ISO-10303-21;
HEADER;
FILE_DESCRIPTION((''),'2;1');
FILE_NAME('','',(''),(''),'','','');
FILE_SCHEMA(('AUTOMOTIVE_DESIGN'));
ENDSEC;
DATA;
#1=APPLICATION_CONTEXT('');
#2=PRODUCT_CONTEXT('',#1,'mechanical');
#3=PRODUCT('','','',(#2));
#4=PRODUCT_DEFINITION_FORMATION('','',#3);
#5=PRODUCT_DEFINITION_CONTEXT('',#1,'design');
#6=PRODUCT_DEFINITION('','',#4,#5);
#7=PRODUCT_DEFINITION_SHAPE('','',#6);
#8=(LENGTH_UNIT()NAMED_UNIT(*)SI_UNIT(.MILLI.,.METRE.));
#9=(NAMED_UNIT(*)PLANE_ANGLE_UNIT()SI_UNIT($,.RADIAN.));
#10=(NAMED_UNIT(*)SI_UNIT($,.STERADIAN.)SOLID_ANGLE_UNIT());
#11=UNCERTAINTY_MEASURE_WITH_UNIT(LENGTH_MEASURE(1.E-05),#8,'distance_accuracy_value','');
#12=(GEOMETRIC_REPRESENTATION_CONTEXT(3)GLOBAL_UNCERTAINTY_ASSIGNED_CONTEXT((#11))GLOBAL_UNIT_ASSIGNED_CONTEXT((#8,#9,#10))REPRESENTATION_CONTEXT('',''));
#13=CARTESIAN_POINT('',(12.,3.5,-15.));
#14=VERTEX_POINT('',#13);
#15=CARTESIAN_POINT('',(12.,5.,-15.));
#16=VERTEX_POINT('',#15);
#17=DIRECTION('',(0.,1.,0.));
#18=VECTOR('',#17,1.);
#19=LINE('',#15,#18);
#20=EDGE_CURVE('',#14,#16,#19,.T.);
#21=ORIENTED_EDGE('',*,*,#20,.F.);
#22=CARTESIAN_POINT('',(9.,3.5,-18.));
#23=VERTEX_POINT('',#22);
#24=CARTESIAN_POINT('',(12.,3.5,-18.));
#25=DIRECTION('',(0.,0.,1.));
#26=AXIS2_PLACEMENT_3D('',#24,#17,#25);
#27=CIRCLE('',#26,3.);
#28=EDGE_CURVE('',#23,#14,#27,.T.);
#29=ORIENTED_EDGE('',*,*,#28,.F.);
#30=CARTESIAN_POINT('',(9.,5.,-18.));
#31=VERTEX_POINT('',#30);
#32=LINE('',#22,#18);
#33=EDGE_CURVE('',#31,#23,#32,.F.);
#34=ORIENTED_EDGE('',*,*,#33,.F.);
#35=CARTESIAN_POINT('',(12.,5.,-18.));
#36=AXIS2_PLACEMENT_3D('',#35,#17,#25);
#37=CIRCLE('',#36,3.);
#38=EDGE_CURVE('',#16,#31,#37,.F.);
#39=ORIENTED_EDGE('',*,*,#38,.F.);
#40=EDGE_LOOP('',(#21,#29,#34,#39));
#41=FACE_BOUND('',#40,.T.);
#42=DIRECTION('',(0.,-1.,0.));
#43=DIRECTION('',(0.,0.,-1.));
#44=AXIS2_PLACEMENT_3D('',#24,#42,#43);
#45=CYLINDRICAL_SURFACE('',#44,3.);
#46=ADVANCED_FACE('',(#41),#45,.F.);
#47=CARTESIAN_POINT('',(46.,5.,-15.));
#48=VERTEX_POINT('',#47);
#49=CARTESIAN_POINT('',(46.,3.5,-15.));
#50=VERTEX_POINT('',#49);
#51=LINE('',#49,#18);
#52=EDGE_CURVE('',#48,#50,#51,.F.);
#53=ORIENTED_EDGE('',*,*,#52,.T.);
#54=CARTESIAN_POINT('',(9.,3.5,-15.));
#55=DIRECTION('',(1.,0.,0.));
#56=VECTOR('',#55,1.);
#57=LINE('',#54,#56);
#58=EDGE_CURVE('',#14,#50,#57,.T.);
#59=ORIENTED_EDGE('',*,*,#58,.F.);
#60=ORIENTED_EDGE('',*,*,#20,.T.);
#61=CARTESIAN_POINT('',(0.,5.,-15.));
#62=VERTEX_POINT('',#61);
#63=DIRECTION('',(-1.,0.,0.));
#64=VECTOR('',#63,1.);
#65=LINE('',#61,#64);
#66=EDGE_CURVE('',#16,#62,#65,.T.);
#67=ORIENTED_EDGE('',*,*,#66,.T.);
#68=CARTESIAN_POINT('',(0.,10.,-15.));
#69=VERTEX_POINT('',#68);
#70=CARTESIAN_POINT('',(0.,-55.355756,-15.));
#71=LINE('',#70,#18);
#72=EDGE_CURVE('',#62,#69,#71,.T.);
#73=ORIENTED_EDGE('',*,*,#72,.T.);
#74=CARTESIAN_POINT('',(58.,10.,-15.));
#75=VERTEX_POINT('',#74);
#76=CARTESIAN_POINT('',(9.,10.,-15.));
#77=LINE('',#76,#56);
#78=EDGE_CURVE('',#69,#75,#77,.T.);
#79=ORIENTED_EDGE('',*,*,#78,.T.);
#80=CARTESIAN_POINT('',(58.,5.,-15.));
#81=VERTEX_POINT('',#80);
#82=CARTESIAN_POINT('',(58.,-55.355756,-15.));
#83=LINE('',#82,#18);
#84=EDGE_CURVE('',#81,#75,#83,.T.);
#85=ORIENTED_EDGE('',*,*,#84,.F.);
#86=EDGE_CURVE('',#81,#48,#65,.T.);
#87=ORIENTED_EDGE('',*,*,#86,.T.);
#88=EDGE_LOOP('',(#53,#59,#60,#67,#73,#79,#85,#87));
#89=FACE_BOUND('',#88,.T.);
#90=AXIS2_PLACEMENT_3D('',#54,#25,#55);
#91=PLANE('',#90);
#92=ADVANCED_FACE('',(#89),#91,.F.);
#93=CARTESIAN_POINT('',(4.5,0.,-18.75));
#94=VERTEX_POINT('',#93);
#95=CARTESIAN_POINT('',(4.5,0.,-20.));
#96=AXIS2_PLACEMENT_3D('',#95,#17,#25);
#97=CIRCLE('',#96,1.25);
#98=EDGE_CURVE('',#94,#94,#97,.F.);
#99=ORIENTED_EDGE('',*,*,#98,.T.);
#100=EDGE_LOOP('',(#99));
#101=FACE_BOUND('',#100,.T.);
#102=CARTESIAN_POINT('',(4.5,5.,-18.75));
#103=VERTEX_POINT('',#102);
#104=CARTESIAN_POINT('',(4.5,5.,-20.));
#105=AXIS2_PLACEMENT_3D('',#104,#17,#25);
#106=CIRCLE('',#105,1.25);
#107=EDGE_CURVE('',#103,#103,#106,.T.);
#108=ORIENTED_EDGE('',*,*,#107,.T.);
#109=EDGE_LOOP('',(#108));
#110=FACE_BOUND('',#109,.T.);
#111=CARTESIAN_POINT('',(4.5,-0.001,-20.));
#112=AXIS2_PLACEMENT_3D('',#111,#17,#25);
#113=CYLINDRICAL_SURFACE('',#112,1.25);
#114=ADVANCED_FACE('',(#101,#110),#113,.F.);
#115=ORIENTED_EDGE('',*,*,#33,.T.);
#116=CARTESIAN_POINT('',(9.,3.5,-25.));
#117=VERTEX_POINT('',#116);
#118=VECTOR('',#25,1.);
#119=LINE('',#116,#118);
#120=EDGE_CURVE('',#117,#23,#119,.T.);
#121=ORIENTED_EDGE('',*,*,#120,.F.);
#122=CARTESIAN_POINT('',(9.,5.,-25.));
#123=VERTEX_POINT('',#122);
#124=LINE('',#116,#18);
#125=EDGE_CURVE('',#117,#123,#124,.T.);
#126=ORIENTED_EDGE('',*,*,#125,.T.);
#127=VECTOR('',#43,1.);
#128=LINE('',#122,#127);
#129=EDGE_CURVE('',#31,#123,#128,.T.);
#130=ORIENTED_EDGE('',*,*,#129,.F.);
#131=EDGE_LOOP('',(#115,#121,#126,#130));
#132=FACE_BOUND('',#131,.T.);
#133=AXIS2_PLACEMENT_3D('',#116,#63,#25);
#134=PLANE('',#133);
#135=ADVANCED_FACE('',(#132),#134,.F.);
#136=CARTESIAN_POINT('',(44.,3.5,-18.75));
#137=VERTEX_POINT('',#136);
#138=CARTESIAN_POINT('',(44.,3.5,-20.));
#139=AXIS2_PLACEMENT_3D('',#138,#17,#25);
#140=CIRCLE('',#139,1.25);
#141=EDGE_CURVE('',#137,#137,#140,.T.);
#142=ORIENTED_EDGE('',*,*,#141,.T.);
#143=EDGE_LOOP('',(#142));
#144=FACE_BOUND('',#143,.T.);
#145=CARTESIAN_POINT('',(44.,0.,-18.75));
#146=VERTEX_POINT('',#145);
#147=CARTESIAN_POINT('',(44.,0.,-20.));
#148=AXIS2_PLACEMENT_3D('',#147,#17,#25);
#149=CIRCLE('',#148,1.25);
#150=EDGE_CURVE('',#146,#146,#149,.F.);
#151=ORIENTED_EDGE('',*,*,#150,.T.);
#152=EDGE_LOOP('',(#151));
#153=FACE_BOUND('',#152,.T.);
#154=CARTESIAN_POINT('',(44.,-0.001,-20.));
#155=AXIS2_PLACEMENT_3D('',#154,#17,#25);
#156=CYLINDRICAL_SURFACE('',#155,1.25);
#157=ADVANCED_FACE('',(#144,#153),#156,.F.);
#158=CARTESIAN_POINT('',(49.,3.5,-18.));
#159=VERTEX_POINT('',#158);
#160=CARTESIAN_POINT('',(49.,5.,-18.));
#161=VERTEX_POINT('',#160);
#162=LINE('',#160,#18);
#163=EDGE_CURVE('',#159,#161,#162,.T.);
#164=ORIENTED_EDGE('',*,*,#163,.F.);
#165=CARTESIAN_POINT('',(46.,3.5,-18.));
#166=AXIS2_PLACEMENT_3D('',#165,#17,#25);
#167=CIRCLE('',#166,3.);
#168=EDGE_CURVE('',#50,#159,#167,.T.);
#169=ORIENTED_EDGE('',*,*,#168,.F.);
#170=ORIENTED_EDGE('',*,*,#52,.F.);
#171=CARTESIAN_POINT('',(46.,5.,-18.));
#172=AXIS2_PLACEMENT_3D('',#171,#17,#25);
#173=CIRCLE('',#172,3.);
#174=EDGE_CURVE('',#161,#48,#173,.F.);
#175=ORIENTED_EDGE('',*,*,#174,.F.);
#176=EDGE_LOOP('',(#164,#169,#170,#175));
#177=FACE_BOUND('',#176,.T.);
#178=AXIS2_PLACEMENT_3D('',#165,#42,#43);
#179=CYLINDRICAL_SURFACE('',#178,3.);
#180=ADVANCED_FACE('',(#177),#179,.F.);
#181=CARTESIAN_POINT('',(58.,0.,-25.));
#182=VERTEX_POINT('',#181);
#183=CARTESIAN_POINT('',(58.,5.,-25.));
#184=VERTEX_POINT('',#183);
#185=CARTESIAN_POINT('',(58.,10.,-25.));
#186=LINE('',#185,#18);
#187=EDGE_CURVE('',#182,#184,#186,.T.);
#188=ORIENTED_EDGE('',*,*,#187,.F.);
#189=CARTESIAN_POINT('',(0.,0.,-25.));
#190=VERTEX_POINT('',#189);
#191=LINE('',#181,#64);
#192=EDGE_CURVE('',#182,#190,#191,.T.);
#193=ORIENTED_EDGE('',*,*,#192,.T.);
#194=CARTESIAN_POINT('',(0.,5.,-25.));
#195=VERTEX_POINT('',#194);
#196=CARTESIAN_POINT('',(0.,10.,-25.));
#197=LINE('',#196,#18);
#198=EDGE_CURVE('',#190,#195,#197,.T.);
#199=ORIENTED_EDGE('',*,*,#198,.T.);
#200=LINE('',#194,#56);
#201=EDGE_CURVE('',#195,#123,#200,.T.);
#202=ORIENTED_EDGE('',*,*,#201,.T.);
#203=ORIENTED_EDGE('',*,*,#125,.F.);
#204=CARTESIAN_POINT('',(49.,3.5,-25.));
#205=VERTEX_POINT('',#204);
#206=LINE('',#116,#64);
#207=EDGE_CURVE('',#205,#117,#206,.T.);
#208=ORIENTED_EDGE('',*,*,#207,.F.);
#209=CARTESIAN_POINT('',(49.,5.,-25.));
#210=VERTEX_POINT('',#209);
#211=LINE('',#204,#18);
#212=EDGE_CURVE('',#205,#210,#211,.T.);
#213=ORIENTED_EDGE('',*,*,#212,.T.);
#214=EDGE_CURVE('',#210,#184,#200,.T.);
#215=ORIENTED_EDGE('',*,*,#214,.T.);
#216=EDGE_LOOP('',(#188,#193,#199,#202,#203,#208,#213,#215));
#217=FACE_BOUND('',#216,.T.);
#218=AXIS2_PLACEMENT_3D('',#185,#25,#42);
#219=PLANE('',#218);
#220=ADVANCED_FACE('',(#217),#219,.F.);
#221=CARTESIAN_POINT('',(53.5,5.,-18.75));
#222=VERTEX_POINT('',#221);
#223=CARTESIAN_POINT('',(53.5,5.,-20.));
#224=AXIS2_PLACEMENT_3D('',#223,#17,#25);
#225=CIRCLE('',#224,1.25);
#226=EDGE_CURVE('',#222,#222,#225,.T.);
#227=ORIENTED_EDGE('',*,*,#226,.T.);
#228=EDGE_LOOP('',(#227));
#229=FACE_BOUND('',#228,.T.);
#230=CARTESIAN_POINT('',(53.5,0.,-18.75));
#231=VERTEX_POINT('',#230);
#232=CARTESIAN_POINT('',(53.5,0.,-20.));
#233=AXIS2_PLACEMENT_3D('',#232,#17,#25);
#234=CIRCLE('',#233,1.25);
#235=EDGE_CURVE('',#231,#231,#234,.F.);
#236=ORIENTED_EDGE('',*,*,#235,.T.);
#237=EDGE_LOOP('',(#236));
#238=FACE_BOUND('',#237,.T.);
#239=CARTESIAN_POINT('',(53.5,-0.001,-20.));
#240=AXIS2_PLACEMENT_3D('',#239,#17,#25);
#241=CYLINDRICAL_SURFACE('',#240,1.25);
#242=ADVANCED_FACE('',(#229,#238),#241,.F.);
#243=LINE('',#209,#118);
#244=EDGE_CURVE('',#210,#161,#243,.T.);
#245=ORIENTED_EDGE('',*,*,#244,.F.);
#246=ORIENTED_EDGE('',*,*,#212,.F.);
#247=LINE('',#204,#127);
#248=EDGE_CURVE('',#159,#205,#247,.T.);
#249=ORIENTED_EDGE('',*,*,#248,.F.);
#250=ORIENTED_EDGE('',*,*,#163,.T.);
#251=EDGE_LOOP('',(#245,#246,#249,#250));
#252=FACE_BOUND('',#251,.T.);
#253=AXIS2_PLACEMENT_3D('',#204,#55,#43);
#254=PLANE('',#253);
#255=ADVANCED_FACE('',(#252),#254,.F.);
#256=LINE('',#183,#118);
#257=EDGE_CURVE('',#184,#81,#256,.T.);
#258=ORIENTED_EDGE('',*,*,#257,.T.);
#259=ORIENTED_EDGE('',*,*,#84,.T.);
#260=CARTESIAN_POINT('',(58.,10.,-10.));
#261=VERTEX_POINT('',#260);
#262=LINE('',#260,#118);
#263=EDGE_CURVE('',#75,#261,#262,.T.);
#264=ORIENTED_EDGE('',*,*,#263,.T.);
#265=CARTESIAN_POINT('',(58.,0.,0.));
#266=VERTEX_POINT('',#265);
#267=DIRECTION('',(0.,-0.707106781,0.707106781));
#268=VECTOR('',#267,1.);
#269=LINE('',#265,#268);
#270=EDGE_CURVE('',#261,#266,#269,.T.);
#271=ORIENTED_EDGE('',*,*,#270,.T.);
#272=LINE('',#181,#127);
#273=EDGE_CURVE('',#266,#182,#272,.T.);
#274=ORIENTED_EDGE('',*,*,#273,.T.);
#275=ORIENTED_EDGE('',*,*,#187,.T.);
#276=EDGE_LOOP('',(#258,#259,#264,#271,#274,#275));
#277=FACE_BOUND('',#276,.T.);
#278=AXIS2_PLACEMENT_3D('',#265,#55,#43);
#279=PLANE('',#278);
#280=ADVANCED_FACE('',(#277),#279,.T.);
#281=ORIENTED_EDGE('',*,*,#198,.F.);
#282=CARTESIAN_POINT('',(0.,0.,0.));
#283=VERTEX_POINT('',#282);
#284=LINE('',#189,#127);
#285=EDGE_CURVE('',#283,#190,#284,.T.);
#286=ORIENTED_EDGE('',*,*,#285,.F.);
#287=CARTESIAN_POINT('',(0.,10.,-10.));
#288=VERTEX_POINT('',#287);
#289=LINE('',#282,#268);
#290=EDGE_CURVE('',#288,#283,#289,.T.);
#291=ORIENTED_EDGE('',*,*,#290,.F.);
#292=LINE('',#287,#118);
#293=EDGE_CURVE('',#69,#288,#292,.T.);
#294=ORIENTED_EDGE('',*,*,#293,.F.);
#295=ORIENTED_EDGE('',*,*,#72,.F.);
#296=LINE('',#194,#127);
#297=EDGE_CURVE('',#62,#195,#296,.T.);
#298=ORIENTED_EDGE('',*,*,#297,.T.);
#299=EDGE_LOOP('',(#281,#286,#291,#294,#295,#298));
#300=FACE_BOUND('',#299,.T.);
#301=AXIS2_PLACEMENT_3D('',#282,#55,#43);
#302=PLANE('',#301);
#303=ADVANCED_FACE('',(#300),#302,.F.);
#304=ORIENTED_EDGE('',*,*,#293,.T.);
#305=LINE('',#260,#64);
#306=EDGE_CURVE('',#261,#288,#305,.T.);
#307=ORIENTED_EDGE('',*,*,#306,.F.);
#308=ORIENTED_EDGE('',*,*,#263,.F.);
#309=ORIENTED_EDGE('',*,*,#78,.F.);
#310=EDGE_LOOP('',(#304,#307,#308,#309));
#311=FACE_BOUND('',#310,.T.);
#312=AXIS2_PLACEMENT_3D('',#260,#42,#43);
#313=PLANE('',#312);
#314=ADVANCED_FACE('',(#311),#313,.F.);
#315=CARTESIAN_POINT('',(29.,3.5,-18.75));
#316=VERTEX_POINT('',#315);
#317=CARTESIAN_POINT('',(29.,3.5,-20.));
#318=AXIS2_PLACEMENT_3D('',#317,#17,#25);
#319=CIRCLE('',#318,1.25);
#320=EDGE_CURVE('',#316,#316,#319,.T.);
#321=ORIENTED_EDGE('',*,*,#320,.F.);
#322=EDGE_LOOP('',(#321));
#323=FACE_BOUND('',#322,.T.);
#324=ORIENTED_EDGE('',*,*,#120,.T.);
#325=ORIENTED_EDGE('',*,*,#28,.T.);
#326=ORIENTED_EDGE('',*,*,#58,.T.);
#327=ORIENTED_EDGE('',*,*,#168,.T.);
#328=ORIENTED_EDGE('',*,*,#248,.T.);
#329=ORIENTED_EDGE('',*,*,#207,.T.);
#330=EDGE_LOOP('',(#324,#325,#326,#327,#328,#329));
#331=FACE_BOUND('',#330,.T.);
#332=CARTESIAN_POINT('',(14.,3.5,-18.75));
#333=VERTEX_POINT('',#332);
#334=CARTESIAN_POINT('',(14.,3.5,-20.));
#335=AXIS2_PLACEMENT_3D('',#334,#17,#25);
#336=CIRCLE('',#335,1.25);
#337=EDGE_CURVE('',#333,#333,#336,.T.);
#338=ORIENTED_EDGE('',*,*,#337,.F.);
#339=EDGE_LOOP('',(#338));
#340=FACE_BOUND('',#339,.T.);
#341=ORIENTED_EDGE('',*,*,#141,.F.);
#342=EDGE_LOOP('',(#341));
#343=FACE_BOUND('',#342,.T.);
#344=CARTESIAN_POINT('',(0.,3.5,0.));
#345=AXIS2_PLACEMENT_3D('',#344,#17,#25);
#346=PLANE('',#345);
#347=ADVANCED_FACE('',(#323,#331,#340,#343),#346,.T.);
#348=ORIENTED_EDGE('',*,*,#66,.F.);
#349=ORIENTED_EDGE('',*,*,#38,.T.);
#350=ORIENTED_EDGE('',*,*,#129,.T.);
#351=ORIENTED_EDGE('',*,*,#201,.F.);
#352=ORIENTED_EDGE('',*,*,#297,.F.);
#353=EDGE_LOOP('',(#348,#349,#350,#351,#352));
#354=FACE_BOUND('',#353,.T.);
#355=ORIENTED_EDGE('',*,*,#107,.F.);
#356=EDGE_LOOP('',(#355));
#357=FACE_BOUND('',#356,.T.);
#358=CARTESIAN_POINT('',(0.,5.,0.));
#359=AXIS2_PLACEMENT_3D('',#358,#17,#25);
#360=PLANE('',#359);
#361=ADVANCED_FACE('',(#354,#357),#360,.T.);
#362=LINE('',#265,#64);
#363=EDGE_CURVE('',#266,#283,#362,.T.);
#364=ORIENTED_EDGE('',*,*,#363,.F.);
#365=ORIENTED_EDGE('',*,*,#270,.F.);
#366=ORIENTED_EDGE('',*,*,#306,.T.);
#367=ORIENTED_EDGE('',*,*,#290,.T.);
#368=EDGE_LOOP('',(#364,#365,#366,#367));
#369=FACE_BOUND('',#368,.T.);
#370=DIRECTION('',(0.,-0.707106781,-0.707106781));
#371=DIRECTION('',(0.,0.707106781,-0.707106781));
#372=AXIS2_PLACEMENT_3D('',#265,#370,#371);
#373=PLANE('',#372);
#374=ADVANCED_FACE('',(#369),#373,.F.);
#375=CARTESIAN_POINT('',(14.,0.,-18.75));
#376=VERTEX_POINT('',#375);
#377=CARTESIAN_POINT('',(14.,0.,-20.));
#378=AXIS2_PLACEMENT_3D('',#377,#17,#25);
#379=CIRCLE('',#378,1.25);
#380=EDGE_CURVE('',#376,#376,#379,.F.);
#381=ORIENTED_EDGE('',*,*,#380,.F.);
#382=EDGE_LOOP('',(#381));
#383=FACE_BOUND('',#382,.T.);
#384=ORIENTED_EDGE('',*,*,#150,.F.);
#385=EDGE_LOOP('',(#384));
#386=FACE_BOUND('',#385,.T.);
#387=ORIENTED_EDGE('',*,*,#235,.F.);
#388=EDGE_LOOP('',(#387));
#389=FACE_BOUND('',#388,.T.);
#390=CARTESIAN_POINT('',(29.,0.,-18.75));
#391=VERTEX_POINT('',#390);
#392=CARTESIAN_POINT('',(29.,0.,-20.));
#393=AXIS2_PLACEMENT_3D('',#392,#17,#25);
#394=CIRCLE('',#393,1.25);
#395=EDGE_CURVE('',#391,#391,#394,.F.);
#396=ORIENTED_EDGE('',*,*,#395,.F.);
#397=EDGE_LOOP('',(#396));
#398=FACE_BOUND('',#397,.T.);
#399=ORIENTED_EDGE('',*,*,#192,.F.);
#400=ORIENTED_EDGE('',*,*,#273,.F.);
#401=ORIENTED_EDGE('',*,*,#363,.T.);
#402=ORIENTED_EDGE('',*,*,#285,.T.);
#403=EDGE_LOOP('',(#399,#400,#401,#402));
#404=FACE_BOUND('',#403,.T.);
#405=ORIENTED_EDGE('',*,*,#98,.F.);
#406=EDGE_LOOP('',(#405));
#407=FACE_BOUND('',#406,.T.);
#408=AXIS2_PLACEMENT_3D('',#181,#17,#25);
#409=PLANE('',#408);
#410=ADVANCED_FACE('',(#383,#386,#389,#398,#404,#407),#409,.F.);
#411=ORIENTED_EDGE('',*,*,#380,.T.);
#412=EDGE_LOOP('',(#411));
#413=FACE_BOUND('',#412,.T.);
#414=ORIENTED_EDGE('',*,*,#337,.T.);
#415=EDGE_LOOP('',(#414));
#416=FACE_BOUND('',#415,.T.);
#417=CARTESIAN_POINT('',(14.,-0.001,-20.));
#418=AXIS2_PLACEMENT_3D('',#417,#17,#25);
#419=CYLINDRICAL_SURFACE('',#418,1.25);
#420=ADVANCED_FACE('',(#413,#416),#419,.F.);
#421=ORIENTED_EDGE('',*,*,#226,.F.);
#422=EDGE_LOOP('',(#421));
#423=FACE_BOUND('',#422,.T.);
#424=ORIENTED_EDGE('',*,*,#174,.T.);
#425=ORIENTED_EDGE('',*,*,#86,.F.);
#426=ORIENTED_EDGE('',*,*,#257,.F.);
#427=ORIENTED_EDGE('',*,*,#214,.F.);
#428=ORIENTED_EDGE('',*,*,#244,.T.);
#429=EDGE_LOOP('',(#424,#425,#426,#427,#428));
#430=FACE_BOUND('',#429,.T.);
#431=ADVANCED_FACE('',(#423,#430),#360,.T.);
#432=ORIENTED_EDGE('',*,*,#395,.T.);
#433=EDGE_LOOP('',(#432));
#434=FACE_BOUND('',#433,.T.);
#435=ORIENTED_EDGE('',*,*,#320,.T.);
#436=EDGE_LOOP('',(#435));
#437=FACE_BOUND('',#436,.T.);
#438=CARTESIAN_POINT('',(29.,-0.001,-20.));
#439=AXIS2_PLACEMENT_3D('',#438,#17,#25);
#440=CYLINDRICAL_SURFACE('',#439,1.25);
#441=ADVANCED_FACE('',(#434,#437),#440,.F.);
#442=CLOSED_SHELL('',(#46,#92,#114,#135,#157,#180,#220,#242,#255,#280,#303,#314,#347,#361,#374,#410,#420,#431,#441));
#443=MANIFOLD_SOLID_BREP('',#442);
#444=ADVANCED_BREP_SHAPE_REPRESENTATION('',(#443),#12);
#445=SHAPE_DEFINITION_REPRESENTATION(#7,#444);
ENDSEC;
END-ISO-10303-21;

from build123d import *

# Parameters (mm, degrees)
BOSS_EXTRUDE1_DEPTH = 58
SKETCH3_W           = 40
SKETCH3_H           = 10
CUT_EXTRUDE2_DEPTH  = 6.5
CUT_EXTRUDE3_REACH  = 65.492
SKETCH4_R           = 1.25
SKETCH5_W           = 58
SKETCH5_H           = 10
CUT_EXTRUDE4_DEPTH  = 5
CUT_EXTRUDE5_REACH  = 65.356
SKETCH6_R           = 1.25
FILLET1_R           = 3


with BuildPart() as part:
    # Sketch1 → Boss-Extrude1 (new body)
    with BuildSketch(Plane(origin=(0, 0, 0), x_dir=(0, 0, -1), z_dir=(1, 0, 0))):
        Polygon((0, 0), (10, 10), (25, 10), (25, 0), align=None)
    extrude(amount=BOSS_EXTRUDE1_DEPTH)

    # Sketch3 → Cut-Extrude2 (cut)
    with BuildSketch(Plane(origin=(0, 10, 0), x_dir=(1, 0, 0), z_dir=(0, 1, 0))):
        with Locations((29, 20)):
            Rectangle(SKETCH3_W, SKETCH3_H)
    extrude(amount=-CUT_EXTRUDE2_DEPTH, mode=Mode.SUBTRACT)

    # Sketch4 → Cut-Extrude3 (cut, up to next)
    with BuildSketch(Plane(origin=(0, 3.5, 0), x_dir=(1, 0, 0), z_dir=(0, 1, 0)), mode=Mode.PRIVATE) as cut_extrude3_sk1:
        with Locations(Location((14, 20, 0), (0, 0, 270))):
            Circle(SKETCH4_R)
    cut_extrude3_tool1 = extrude(cut_extrude3_sk1.sketch, amount=-CUT_EXTRUDE3_REACH, mode=Mode.PRIVATE) & part.part
    # Sketch4 → Cut-Extrude3 (cut, up to next)
    with BuildSketch(Plane(origin=(0, 3.5, 0), x_dir=(1, 0, 0), z_dir=(0, 1, 0)), mode=Mode.PRIVATE) as cut_extrude3_sk2:
        with Locations(Location((29, 20, 0), (0, 0, 270))):
            Circle(SKETCH4_R)
    cut_extrude3_tool2 = extrude(cut_extrude3_sk2.sketch, amount=-CUT_EXTRUDE3_REACH, mode=Mode.PRIVATE) & part.part
    # Sketch4 → Cut-Extrude3 (cut, up to next)
    with BuildSketch(Plane(origin=(0, 3.5, 0), x_dir=(1, 0, 0), z_dir=(0, 1, 0)), mode=Mode.PRIVATE) as cut_extrude3_sk3:
        with Locations(Location((44, 20, 0), (0, 0, 270))):
            Circle(SKETCH4_R)
    cut_extrude3_tool3 = extrude(cut_extrude3_sk3.sketch, amount=-CUT_EXTRUDE3_REACH, mode=Mode.PRIVATE) & part.part
    add(cut_extrude3_tool1.solids().sort_by_distance((14, 3.5, -20))[0], mode=Mode.SUBTRACT)
    add(cut_extrude3_tool2.solids().sort_by_distance((29, 3.5, -20))[0], mode=Mode.SUBTRACT)
    add(cut_extrude3_tool3.solids().sort_by_distance((44, 3.5, -20))[0], mode=Mode.SUBTRACT)

    # Sketch5 → Cut-Extrude4 (cut)
    with BuildSketch(Plane(origin=(0, 10, 0), x_dir=(1, 0, 0), z_dir=(0, 1, 0))):
        with Locations((29, 20)):
            Rectangle(SKETCH5_W, SKETCH5_H)
    extrude(amount=-CUT_EXTRUDE4_DEPTH, mode=Mode.SUBTRACT)

    # Sketch6 → Cut-Extrude5 (cut, up to next)
    with BuildSketch(Plane(origin=(0, 5, 0), x_dir=(1, 0, 0), z_dir=(0, 1, 0)), mode=Mode.PRIVATE) as cut_extrude5_sk1:
        with Locations(Location((4.5, 20, 0), (0, 0, 270))):
            Circle(SKETCH6_R)
    cut_extrude5_tool1 = extrude(cut_extrude5_sk1.sketch, amount=-CUT_EXTRUDE5_REACH, mode=Mode.PRIVATE) & part.part
    # Sketch6 → Cut-Extrude5 (cut, up to next)
    with BuildSketch(Plane(origin=(0, 5, 0), x_dir=(1, 0, 0), z_dir=(0, 1, 0)), mode=Mode.PRIVATE) as cut_extrude5_sk2:
        with Locations(Location((53.5, 20, 0), (0, 0, 270))):
            Circle(SKETCH6_R)
    cut_extrude5_tool2 = extrude(cut_extrude5_sk2.sketch, amount=-CUT_EXTRUDE5_REACH, mode=Mode.PRIVATE) & part.part
    add(cut_extrude5_tool1.solids().sort_by_distance((4.5, 5, -20))[0], mode=Mode.SUBTRACT)
    add(cut_extrude5_tool2.solids().sort_by_distance((53.5, 5, -20))[0], mode=Mode.SUBTRACT)

    # Fillet1
    fillet1_edges = [part.edges().sort_by_distance(p)[0] for p in [
        (9, 4.25, -15),
        (49, 4.25, -15),
    ]]
    fillet(fillet1_edges, radius=FILLET1_R)


solid = part.part
